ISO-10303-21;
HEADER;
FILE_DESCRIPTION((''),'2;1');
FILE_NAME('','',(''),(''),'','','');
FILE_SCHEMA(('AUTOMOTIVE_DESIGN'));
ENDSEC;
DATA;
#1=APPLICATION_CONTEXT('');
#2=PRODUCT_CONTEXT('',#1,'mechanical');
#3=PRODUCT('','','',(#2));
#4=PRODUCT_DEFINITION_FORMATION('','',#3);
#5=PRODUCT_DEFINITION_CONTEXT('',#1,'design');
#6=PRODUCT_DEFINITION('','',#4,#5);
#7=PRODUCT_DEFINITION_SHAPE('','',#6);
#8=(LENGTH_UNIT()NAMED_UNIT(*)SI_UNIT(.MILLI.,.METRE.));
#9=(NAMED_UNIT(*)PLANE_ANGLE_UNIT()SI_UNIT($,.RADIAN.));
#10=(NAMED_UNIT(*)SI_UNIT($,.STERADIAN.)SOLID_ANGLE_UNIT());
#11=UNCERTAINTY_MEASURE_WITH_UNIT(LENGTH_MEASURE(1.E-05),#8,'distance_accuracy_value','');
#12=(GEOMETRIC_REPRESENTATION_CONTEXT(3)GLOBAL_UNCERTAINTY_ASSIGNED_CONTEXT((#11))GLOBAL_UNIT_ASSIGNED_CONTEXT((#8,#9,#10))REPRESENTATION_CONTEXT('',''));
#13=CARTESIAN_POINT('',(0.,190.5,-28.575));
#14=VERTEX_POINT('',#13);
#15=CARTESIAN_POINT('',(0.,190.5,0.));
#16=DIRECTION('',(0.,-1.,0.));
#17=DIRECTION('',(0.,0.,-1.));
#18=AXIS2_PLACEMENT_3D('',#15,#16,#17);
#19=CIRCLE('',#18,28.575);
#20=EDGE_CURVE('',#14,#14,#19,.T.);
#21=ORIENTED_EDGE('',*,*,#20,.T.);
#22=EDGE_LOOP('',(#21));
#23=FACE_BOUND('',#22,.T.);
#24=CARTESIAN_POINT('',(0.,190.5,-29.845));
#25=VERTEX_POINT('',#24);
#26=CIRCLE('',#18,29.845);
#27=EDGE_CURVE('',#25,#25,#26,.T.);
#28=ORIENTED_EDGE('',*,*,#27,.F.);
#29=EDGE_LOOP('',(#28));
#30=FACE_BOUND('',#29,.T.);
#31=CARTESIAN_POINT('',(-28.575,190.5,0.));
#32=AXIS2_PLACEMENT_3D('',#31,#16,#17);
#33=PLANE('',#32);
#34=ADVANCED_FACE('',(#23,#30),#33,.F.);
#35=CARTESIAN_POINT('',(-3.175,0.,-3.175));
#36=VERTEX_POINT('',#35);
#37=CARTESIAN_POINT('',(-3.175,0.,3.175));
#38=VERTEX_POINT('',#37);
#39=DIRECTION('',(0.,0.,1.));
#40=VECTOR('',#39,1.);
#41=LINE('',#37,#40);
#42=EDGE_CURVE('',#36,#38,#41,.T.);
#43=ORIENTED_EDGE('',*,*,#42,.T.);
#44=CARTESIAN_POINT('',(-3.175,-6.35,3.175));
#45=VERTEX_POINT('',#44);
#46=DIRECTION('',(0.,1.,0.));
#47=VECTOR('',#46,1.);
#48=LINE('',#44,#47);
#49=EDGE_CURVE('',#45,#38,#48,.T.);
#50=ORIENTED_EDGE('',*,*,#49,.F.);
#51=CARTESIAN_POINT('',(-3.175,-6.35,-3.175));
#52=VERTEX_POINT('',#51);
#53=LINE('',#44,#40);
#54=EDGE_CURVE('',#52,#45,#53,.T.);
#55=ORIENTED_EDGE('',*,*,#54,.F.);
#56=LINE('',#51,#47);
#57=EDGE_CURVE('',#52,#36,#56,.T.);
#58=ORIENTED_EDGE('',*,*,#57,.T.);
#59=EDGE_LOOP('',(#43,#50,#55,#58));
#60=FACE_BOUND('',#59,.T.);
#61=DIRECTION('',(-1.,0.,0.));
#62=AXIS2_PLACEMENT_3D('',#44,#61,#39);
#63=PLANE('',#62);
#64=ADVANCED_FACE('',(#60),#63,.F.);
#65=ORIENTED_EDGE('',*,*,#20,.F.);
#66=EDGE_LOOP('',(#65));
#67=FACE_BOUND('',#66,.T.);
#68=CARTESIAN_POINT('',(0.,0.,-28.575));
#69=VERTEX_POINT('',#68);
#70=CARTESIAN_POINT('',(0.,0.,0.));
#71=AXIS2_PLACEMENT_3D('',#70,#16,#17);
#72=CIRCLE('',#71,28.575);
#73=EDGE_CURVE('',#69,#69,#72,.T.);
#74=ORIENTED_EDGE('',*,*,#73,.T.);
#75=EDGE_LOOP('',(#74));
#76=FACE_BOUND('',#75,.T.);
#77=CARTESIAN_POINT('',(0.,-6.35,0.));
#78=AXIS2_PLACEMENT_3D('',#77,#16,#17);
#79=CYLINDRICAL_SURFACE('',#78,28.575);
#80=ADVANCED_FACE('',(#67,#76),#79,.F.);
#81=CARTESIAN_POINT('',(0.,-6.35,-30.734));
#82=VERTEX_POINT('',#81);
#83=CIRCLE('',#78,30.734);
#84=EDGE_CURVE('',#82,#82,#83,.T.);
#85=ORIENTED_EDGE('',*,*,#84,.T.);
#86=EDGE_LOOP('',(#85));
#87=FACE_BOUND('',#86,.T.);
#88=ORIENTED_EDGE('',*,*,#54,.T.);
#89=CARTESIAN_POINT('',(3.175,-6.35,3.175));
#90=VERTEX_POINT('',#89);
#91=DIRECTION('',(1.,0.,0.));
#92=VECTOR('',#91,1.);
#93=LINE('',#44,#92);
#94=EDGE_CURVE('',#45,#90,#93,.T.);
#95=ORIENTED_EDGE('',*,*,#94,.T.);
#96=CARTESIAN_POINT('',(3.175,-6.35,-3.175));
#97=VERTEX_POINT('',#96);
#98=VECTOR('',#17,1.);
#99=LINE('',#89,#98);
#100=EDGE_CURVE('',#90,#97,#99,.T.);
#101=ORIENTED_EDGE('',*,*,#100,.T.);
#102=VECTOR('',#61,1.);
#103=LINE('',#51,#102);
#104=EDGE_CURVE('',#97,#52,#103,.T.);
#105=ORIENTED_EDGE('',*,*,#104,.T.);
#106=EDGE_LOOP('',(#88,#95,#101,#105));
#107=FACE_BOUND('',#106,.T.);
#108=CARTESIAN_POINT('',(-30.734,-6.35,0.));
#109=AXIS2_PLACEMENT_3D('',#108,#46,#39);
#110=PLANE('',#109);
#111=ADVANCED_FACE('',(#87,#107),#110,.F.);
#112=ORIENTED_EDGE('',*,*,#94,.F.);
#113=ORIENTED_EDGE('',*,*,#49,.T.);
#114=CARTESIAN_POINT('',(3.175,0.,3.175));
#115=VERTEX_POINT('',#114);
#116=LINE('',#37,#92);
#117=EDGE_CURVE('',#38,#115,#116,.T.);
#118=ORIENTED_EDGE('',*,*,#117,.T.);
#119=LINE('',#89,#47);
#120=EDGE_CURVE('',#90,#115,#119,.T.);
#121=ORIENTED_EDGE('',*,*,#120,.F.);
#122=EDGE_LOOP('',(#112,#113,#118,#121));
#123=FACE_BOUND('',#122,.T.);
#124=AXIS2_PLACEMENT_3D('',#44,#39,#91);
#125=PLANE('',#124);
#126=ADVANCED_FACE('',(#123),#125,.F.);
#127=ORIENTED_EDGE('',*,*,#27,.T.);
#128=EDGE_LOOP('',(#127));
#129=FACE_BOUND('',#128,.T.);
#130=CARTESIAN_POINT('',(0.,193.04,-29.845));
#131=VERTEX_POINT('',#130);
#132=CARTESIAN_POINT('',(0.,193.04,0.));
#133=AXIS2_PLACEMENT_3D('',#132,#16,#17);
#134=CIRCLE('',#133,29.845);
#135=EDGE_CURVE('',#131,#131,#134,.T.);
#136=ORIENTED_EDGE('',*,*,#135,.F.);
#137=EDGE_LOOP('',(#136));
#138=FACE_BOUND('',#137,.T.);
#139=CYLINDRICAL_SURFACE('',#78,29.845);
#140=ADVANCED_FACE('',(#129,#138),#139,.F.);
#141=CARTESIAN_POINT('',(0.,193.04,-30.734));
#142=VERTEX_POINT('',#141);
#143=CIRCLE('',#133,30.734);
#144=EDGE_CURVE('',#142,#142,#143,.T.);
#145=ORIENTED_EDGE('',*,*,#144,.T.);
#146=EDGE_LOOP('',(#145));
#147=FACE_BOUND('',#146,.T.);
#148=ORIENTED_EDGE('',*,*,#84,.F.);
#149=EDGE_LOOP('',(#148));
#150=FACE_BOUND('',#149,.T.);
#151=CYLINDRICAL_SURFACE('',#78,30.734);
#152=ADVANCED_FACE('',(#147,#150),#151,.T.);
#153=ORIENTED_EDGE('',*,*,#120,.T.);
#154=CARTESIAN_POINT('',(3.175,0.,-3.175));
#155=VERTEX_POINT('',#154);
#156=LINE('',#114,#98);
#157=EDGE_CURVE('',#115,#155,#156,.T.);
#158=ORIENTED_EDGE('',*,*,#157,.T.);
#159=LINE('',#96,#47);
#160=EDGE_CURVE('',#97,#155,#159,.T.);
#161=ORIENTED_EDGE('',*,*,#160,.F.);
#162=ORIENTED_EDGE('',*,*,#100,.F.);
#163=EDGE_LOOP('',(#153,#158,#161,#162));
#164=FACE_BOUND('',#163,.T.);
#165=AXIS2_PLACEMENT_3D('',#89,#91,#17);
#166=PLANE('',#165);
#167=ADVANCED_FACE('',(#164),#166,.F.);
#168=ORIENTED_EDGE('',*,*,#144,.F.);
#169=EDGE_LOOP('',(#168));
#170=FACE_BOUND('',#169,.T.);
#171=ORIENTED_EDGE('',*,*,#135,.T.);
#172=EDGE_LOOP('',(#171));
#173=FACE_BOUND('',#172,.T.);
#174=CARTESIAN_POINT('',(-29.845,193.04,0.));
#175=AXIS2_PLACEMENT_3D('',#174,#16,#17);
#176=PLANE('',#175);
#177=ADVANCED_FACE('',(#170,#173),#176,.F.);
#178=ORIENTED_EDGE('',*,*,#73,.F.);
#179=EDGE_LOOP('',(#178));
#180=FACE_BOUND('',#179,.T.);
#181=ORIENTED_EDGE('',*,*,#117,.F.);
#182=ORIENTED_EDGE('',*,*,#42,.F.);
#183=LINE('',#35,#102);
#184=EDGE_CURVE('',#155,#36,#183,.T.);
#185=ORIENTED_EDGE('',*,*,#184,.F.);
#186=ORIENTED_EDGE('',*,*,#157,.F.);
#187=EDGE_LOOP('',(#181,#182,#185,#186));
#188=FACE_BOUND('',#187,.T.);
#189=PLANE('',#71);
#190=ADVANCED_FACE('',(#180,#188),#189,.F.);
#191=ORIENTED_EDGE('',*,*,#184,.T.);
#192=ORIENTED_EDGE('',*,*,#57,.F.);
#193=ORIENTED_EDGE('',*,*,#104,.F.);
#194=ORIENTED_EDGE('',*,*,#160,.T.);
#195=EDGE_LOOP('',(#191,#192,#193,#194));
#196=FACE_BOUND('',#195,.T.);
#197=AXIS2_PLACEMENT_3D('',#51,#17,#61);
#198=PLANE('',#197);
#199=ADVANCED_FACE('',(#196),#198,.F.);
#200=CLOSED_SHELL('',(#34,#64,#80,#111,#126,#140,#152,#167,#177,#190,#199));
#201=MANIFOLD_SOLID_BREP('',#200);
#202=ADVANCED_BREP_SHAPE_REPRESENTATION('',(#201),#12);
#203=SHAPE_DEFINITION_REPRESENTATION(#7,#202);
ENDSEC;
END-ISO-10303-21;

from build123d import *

# Parameters (mm, degrees)
SKETCH3_W          = 6.35
SKETCH3_H          = 6.35
CUT_EXTRUDE1_DEPTH = 198.872684098


with BuildPart() as part:
    # Sketch2 → Revolve1 (revolve)
    with BuildSketch(Plane.XY, mode=Mode.PRIVATE) as revolve1_sk:
        Polygon((0, 0), (-28.575, 0), (-28.575, 190.5), (-29.845, 190.5), (-29.845, 193.04), (-30.734, 193.04), (-30.734, -6.35), (0, -6.35), align=None)
    revolve(revolve1_sk.sketch.rotate(Axis((0, -6.35, 0), (0, 1, 0)), 270), axis=Axis((0, -6.35, 0), (0, 1, 0)))

    # Sketch3 → Cut-Extrude1 (cut, through all)
    with BuildSketch(Plane(origin=(0, 0, 0), x_dir=(1, 0, 0), z_dir=(0, 1, 0))):
        Rectangle(SKETCH3_W, SKETCH3_H)
    extrude(amount=-CUT_EXTRUDE1_DEPTH, mode=Mode.SUBTRACT)


solid = part.part
